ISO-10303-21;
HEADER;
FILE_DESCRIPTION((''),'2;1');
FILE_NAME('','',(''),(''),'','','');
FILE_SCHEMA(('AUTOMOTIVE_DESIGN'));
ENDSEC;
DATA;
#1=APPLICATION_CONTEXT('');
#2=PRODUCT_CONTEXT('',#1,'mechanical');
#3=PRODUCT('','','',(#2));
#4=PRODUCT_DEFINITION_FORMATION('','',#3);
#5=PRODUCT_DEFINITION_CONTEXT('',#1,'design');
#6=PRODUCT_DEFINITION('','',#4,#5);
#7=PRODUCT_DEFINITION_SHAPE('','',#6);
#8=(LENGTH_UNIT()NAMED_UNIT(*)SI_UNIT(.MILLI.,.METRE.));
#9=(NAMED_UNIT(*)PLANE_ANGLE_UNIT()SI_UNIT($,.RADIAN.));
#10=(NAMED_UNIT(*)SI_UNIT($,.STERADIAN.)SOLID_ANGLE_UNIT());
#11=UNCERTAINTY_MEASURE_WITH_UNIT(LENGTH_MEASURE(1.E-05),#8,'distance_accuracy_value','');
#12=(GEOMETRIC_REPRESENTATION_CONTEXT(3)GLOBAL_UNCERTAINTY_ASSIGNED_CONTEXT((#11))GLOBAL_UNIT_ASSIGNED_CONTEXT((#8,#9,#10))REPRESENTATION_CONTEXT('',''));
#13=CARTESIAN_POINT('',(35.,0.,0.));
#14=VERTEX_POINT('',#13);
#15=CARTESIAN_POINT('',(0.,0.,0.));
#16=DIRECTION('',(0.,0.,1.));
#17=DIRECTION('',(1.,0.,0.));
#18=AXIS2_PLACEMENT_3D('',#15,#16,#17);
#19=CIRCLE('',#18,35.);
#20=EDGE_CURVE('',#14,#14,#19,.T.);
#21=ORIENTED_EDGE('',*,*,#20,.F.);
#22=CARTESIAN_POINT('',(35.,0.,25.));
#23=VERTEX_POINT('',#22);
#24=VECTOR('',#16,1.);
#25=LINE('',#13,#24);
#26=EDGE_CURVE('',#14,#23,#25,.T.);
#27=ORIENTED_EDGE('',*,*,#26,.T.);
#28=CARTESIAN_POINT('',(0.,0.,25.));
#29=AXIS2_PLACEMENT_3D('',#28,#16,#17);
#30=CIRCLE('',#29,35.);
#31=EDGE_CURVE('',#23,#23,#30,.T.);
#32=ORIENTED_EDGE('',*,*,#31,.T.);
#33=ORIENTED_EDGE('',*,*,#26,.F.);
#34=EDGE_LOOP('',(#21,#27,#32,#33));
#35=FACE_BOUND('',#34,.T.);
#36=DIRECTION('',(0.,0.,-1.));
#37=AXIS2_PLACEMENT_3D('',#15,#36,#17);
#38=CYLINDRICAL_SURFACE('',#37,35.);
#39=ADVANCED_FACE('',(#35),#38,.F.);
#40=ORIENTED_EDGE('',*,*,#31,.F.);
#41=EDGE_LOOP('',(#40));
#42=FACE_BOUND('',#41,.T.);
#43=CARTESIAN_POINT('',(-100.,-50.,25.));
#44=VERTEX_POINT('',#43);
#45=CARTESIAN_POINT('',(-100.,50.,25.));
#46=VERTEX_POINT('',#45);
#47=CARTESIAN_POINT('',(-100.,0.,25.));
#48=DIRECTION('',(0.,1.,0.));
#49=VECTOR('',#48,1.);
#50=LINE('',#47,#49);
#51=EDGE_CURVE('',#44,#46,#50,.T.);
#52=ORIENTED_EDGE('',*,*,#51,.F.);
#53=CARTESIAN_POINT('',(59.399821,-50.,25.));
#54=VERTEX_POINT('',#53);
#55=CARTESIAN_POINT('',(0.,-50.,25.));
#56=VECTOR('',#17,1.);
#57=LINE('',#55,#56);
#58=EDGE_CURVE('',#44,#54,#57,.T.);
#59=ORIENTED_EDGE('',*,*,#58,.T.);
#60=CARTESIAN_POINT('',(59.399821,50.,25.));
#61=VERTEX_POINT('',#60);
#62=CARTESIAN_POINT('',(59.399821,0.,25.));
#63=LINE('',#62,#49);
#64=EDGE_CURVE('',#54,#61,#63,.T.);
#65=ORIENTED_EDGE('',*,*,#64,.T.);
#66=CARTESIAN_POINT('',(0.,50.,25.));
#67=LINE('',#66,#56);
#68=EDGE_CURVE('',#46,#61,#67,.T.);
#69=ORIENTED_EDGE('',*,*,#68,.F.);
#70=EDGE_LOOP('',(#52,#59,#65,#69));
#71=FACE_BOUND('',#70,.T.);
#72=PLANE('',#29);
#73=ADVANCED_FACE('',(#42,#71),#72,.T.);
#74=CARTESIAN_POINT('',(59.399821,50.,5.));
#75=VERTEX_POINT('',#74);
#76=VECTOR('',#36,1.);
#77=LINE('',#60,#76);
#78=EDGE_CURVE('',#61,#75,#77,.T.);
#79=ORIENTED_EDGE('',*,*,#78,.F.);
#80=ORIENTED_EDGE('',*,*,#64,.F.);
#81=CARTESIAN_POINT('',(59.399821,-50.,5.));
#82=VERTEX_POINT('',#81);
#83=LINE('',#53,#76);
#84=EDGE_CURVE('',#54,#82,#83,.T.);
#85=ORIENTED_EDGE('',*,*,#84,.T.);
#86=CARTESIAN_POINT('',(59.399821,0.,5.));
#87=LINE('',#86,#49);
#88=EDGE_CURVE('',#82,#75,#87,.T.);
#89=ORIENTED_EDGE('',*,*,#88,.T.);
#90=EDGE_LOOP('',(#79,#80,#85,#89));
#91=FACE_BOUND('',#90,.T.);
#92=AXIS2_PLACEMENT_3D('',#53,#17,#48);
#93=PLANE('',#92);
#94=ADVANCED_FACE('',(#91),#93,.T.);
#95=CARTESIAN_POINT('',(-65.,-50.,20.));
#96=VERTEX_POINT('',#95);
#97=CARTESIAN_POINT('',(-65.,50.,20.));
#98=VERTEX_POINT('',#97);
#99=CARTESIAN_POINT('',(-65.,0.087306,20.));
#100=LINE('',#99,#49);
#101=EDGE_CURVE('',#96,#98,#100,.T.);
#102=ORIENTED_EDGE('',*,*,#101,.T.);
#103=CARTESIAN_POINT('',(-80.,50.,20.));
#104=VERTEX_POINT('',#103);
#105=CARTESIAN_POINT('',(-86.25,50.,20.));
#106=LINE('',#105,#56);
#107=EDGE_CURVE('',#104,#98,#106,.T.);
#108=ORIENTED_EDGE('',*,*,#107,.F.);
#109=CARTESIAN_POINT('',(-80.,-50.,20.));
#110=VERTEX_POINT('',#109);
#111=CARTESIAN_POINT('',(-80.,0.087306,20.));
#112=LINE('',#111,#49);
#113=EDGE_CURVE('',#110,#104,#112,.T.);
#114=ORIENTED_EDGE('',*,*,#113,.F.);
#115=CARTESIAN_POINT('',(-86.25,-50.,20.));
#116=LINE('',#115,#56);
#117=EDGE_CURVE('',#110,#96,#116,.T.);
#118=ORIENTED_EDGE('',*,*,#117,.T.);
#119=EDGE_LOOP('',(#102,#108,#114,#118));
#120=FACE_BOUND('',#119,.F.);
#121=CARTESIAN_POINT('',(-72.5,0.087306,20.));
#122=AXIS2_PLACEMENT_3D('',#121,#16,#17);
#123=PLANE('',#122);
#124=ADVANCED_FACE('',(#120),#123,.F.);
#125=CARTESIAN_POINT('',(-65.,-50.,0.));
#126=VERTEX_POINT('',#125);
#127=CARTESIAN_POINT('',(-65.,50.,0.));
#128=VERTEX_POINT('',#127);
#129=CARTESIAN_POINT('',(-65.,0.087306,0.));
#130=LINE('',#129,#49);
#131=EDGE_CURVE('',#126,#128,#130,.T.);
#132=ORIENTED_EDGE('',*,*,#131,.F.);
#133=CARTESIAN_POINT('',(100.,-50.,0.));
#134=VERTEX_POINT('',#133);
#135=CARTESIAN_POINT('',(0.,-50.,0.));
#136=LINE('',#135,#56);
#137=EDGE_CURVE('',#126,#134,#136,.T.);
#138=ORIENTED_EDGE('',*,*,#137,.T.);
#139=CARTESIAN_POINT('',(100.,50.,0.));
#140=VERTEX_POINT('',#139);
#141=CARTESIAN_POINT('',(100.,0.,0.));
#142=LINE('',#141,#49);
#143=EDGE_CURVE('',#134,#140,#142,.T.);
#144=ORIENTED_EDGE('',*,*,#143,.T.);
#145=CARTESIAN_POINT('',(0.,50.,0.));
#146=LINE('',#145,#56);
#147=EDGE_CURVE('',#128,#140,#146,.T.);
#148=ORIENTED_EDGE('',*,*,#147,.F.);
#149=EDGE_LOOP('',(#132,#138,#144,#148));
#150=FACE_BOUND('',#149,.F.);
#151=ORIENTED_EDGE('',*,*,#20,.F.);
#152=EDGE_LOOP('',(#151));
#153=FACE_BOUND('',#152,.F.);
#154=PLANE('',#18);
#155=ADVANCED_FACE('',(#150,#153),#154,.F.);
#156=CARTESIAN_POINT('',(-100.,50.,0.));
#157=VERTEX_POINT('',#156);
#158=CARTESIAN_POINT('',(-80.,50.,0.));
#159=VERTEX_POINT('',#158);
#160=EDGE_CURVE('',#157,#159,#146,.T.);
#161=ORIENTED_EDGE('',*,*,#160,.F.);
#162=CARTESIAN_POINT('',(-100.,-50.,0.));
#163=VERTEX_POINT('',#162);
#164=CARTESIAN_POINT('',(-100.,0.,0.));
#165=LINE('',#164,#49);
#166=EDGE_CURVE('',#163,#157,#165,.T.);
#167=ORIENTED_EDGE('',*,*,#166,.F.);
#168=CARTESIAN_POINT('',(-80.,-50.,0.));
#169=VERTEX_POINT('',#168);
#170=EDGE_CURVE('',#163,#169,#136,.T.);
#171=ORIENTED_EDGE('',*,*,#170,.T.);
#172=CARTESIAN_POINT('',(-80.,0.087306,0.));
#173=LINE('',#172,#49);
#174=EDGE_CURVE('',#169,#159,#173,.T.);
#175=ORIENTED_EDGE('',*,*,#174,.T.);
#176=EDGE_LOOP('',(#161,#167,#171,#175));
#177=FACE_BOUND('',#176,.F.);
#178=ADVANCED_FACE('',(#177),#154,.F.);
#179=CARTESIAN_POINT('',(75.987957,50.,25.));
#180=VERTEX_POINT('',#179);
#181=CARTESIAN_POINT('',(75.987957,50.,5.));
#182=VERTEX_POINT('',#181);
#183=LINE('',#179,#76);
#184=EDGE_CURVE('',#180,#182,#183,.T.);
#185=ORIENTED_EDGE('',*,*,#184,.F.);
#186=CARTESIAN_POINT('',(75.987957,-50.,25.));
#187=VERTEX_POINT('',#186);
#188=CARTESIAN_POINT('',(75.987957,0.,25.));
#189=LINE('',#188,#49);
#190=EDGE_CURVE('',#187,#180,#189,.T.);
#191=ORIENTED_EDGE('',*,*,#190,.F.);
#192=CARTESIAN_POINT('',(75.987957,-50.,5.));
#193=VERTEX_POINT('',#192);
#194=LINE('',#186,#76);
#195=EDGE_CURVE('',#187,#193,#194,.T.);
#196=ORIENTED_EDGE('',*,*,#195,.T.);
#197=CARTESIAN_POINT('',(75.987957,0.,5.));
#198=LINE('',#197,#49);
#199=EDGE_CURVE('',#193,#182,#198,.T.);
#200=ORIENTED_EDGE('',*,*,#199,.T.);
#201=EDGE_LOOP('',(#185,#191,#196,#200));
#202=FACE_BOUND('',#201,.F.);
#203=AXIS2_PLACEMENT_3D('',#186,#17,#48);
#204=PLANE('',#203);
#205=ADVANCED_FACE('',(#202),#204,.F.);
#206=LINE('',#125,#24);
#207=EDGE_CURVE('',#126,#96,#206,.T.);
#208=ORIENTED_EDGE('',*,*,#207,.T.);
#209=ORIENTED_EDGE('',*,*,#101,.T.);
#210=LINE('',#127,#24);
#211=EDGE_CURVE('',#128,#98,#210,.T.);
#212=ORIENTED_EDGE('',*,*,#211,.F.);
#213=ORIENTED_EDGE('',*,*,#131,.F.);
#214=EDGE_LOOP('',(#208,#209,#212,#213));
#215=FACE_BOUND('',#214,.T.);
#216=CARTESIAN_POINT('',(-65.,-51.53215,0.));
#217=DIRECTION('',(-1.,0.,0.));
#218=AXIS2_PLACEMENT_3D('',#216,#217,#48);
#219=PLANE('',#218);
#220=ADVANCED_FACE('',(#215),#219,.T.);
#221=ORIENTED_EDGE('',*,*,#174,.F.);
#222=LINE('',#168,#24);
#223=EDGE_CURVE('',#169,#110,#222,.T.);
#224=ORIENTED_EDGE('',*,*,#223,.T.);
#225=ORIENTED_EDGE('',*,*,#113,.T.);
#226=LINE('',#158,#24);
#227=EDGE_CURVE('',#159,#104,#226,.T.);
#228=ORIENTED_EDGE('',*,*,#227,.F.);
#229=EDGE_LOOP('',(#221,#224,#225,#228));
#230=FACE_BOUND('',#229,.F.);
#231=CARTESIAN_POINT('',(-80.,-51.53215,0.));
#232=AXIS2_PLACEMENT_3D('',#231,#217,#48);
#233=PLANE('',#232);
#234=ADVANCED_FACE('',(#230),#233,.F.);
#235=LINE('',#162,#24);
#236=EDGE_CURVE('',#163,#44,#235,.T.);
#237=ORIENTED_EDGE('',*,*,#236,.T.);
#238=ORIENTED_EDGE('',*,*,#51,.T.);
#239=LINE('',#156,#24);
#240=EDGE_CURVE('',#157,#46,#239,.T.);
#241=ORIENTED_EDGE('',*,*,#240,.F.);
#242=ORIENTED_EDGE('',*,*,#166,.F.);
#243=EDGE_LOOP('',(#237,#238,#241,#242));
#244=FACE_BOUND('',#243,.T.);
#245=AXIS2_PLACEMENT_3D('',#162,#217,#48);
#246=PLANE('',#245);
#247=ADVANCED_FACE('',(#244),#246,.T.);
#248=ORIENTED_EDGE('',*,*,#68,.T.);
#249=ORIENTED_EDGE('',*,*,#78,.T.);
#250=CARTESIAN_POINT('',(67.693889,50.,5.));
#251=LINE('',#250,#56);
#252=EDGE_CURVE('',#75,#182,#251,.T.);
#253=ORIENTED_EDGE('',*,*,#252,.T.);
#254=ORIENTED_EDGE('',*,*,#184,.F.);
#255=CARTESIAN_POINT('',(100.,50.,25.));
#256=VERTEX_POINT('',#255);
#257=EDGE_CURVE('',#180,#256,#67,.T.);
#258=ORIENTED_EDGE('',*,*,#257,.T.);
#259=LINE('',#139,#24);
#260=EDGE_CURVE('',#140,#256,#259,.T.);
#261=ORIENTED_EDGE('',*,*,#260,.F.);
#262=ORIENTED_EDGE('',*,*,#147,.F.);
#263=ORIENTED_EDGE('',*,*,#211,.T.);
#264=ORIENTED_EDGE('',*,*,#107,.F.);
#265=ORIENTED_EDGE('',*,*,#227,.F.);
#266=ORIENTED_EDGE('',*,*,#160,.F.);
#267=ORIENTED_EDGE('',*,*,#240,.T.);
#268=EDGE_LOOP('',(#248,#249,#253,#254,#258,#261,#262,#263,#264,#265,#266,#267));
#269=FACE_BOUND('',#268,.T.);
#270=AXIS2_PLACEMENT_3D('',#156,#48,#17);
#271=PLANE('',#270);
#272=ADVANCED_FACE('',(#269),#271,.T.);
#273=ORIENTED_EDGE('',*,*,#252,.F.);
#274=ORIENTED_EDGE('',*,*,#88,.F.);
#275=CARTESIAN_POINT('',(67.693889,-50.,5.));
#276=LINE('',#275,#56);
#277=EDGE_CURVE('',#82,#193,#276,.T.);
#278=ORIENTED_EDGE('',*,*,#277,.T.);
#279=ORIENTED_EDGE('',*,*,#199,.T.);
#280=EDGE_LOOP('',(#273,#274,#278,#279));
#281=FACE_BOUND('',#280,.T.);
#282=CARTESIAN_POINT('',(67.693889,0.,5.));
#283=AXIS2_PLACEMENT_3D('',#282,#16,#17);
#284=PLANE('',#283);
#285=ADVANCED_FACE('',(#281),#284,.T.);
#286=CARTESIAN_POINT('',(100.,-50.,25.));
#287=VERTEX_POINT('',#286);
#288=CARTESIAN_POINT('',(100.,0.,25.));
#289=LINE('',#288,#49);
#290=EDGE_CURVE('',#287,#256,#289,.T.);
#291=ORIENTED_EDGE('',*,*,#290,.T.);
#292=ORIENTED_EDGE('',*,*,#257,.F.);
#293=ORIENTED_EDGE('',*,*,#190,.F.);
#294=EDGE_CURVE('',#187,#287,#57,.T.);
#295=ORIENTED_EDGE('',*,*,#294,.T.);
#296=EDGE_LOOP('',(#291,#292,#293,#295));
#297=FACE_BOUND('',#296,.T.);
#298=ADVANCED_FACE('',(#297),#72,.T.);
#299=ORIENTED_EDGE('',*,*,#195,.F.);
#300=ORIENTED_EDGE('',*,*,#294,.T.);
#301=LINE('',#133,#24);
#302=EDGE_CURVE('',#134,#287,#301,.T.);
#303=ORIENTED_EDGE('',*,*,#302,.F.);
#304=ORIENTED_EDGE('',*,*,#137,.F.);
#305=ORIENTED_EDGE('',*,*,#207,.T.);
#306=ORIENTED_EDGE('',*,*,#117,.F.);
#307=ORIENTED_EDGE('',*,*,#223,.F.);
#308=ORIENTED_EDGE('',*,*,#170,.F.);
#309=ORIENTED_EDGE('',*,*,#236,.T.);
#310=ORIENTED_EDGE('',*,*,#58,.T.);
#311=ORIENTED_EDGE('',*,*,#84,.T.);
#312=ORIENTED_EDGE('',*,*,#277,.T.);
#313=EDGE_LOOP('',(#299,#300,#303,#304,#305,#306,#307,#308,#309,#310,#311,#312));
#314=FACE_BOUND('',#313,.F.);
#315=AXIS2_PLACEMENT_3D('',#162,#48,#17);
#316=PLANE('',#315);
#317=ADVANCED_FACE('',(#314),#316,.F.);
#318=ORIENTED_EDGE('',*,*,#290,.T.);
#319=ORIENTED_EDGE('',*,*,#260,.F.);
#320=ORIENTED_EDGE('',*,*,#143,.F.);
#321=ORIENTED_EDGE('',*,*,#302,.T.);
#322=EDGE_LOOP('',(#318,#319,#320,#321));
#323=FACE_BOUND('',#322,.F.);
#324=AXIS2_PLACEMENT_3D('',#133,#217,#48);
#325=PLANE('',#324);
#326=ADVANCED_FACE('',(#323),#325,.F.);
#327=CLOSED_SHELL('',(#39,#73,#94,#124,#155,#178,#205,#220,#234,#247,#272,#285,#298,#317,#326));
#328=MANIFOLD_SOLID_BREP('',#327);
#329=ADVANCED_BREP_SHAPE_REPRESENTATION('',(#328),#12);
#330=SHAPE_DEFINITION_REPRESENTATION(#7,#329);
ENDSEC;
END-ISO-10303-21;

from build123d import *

# Parameters (mm, degrees)
F0_W     = 200
F0_H     = 100
F0_R     = 35
F1_DEPTH = 25
F3_W     = 16.588136
F3_H     = 100
F4_DEPTH = 20
F2_W     = 15
F2_H     = 103.238912
F5_DEPTH = 20


with BuildPart() as f1:
    # F0 (on Top) → F1 (new body)
    with BuildSketch(Plane.XY):
        Rectangle(F0_W, F0_H)
        Circle(F0_R, mode=Mode.SUBTRACT)
    extrude(amount=F1_DEPTH)

    # F3 (on face) → F4 (cut)
    with BuildSketch(Plane.XY.offset(25)):
        with Locations((67.693889, 0)):
            Rectangle(F3_W, F3_H)
    extrude(amount=-F4_DEPTH, mode=Mode.SUBTRACT)

    # F2 (on Top) → F5 (cut)
    with BuildSketch(Plane.XY):
        with Locations((-72.5, 0.087306)):
            Rectangle(F2_W, F2_H)
    extrude(amount=F5_DEPTH, mode=Mode.SUBTRACT)


solid = f1.part
